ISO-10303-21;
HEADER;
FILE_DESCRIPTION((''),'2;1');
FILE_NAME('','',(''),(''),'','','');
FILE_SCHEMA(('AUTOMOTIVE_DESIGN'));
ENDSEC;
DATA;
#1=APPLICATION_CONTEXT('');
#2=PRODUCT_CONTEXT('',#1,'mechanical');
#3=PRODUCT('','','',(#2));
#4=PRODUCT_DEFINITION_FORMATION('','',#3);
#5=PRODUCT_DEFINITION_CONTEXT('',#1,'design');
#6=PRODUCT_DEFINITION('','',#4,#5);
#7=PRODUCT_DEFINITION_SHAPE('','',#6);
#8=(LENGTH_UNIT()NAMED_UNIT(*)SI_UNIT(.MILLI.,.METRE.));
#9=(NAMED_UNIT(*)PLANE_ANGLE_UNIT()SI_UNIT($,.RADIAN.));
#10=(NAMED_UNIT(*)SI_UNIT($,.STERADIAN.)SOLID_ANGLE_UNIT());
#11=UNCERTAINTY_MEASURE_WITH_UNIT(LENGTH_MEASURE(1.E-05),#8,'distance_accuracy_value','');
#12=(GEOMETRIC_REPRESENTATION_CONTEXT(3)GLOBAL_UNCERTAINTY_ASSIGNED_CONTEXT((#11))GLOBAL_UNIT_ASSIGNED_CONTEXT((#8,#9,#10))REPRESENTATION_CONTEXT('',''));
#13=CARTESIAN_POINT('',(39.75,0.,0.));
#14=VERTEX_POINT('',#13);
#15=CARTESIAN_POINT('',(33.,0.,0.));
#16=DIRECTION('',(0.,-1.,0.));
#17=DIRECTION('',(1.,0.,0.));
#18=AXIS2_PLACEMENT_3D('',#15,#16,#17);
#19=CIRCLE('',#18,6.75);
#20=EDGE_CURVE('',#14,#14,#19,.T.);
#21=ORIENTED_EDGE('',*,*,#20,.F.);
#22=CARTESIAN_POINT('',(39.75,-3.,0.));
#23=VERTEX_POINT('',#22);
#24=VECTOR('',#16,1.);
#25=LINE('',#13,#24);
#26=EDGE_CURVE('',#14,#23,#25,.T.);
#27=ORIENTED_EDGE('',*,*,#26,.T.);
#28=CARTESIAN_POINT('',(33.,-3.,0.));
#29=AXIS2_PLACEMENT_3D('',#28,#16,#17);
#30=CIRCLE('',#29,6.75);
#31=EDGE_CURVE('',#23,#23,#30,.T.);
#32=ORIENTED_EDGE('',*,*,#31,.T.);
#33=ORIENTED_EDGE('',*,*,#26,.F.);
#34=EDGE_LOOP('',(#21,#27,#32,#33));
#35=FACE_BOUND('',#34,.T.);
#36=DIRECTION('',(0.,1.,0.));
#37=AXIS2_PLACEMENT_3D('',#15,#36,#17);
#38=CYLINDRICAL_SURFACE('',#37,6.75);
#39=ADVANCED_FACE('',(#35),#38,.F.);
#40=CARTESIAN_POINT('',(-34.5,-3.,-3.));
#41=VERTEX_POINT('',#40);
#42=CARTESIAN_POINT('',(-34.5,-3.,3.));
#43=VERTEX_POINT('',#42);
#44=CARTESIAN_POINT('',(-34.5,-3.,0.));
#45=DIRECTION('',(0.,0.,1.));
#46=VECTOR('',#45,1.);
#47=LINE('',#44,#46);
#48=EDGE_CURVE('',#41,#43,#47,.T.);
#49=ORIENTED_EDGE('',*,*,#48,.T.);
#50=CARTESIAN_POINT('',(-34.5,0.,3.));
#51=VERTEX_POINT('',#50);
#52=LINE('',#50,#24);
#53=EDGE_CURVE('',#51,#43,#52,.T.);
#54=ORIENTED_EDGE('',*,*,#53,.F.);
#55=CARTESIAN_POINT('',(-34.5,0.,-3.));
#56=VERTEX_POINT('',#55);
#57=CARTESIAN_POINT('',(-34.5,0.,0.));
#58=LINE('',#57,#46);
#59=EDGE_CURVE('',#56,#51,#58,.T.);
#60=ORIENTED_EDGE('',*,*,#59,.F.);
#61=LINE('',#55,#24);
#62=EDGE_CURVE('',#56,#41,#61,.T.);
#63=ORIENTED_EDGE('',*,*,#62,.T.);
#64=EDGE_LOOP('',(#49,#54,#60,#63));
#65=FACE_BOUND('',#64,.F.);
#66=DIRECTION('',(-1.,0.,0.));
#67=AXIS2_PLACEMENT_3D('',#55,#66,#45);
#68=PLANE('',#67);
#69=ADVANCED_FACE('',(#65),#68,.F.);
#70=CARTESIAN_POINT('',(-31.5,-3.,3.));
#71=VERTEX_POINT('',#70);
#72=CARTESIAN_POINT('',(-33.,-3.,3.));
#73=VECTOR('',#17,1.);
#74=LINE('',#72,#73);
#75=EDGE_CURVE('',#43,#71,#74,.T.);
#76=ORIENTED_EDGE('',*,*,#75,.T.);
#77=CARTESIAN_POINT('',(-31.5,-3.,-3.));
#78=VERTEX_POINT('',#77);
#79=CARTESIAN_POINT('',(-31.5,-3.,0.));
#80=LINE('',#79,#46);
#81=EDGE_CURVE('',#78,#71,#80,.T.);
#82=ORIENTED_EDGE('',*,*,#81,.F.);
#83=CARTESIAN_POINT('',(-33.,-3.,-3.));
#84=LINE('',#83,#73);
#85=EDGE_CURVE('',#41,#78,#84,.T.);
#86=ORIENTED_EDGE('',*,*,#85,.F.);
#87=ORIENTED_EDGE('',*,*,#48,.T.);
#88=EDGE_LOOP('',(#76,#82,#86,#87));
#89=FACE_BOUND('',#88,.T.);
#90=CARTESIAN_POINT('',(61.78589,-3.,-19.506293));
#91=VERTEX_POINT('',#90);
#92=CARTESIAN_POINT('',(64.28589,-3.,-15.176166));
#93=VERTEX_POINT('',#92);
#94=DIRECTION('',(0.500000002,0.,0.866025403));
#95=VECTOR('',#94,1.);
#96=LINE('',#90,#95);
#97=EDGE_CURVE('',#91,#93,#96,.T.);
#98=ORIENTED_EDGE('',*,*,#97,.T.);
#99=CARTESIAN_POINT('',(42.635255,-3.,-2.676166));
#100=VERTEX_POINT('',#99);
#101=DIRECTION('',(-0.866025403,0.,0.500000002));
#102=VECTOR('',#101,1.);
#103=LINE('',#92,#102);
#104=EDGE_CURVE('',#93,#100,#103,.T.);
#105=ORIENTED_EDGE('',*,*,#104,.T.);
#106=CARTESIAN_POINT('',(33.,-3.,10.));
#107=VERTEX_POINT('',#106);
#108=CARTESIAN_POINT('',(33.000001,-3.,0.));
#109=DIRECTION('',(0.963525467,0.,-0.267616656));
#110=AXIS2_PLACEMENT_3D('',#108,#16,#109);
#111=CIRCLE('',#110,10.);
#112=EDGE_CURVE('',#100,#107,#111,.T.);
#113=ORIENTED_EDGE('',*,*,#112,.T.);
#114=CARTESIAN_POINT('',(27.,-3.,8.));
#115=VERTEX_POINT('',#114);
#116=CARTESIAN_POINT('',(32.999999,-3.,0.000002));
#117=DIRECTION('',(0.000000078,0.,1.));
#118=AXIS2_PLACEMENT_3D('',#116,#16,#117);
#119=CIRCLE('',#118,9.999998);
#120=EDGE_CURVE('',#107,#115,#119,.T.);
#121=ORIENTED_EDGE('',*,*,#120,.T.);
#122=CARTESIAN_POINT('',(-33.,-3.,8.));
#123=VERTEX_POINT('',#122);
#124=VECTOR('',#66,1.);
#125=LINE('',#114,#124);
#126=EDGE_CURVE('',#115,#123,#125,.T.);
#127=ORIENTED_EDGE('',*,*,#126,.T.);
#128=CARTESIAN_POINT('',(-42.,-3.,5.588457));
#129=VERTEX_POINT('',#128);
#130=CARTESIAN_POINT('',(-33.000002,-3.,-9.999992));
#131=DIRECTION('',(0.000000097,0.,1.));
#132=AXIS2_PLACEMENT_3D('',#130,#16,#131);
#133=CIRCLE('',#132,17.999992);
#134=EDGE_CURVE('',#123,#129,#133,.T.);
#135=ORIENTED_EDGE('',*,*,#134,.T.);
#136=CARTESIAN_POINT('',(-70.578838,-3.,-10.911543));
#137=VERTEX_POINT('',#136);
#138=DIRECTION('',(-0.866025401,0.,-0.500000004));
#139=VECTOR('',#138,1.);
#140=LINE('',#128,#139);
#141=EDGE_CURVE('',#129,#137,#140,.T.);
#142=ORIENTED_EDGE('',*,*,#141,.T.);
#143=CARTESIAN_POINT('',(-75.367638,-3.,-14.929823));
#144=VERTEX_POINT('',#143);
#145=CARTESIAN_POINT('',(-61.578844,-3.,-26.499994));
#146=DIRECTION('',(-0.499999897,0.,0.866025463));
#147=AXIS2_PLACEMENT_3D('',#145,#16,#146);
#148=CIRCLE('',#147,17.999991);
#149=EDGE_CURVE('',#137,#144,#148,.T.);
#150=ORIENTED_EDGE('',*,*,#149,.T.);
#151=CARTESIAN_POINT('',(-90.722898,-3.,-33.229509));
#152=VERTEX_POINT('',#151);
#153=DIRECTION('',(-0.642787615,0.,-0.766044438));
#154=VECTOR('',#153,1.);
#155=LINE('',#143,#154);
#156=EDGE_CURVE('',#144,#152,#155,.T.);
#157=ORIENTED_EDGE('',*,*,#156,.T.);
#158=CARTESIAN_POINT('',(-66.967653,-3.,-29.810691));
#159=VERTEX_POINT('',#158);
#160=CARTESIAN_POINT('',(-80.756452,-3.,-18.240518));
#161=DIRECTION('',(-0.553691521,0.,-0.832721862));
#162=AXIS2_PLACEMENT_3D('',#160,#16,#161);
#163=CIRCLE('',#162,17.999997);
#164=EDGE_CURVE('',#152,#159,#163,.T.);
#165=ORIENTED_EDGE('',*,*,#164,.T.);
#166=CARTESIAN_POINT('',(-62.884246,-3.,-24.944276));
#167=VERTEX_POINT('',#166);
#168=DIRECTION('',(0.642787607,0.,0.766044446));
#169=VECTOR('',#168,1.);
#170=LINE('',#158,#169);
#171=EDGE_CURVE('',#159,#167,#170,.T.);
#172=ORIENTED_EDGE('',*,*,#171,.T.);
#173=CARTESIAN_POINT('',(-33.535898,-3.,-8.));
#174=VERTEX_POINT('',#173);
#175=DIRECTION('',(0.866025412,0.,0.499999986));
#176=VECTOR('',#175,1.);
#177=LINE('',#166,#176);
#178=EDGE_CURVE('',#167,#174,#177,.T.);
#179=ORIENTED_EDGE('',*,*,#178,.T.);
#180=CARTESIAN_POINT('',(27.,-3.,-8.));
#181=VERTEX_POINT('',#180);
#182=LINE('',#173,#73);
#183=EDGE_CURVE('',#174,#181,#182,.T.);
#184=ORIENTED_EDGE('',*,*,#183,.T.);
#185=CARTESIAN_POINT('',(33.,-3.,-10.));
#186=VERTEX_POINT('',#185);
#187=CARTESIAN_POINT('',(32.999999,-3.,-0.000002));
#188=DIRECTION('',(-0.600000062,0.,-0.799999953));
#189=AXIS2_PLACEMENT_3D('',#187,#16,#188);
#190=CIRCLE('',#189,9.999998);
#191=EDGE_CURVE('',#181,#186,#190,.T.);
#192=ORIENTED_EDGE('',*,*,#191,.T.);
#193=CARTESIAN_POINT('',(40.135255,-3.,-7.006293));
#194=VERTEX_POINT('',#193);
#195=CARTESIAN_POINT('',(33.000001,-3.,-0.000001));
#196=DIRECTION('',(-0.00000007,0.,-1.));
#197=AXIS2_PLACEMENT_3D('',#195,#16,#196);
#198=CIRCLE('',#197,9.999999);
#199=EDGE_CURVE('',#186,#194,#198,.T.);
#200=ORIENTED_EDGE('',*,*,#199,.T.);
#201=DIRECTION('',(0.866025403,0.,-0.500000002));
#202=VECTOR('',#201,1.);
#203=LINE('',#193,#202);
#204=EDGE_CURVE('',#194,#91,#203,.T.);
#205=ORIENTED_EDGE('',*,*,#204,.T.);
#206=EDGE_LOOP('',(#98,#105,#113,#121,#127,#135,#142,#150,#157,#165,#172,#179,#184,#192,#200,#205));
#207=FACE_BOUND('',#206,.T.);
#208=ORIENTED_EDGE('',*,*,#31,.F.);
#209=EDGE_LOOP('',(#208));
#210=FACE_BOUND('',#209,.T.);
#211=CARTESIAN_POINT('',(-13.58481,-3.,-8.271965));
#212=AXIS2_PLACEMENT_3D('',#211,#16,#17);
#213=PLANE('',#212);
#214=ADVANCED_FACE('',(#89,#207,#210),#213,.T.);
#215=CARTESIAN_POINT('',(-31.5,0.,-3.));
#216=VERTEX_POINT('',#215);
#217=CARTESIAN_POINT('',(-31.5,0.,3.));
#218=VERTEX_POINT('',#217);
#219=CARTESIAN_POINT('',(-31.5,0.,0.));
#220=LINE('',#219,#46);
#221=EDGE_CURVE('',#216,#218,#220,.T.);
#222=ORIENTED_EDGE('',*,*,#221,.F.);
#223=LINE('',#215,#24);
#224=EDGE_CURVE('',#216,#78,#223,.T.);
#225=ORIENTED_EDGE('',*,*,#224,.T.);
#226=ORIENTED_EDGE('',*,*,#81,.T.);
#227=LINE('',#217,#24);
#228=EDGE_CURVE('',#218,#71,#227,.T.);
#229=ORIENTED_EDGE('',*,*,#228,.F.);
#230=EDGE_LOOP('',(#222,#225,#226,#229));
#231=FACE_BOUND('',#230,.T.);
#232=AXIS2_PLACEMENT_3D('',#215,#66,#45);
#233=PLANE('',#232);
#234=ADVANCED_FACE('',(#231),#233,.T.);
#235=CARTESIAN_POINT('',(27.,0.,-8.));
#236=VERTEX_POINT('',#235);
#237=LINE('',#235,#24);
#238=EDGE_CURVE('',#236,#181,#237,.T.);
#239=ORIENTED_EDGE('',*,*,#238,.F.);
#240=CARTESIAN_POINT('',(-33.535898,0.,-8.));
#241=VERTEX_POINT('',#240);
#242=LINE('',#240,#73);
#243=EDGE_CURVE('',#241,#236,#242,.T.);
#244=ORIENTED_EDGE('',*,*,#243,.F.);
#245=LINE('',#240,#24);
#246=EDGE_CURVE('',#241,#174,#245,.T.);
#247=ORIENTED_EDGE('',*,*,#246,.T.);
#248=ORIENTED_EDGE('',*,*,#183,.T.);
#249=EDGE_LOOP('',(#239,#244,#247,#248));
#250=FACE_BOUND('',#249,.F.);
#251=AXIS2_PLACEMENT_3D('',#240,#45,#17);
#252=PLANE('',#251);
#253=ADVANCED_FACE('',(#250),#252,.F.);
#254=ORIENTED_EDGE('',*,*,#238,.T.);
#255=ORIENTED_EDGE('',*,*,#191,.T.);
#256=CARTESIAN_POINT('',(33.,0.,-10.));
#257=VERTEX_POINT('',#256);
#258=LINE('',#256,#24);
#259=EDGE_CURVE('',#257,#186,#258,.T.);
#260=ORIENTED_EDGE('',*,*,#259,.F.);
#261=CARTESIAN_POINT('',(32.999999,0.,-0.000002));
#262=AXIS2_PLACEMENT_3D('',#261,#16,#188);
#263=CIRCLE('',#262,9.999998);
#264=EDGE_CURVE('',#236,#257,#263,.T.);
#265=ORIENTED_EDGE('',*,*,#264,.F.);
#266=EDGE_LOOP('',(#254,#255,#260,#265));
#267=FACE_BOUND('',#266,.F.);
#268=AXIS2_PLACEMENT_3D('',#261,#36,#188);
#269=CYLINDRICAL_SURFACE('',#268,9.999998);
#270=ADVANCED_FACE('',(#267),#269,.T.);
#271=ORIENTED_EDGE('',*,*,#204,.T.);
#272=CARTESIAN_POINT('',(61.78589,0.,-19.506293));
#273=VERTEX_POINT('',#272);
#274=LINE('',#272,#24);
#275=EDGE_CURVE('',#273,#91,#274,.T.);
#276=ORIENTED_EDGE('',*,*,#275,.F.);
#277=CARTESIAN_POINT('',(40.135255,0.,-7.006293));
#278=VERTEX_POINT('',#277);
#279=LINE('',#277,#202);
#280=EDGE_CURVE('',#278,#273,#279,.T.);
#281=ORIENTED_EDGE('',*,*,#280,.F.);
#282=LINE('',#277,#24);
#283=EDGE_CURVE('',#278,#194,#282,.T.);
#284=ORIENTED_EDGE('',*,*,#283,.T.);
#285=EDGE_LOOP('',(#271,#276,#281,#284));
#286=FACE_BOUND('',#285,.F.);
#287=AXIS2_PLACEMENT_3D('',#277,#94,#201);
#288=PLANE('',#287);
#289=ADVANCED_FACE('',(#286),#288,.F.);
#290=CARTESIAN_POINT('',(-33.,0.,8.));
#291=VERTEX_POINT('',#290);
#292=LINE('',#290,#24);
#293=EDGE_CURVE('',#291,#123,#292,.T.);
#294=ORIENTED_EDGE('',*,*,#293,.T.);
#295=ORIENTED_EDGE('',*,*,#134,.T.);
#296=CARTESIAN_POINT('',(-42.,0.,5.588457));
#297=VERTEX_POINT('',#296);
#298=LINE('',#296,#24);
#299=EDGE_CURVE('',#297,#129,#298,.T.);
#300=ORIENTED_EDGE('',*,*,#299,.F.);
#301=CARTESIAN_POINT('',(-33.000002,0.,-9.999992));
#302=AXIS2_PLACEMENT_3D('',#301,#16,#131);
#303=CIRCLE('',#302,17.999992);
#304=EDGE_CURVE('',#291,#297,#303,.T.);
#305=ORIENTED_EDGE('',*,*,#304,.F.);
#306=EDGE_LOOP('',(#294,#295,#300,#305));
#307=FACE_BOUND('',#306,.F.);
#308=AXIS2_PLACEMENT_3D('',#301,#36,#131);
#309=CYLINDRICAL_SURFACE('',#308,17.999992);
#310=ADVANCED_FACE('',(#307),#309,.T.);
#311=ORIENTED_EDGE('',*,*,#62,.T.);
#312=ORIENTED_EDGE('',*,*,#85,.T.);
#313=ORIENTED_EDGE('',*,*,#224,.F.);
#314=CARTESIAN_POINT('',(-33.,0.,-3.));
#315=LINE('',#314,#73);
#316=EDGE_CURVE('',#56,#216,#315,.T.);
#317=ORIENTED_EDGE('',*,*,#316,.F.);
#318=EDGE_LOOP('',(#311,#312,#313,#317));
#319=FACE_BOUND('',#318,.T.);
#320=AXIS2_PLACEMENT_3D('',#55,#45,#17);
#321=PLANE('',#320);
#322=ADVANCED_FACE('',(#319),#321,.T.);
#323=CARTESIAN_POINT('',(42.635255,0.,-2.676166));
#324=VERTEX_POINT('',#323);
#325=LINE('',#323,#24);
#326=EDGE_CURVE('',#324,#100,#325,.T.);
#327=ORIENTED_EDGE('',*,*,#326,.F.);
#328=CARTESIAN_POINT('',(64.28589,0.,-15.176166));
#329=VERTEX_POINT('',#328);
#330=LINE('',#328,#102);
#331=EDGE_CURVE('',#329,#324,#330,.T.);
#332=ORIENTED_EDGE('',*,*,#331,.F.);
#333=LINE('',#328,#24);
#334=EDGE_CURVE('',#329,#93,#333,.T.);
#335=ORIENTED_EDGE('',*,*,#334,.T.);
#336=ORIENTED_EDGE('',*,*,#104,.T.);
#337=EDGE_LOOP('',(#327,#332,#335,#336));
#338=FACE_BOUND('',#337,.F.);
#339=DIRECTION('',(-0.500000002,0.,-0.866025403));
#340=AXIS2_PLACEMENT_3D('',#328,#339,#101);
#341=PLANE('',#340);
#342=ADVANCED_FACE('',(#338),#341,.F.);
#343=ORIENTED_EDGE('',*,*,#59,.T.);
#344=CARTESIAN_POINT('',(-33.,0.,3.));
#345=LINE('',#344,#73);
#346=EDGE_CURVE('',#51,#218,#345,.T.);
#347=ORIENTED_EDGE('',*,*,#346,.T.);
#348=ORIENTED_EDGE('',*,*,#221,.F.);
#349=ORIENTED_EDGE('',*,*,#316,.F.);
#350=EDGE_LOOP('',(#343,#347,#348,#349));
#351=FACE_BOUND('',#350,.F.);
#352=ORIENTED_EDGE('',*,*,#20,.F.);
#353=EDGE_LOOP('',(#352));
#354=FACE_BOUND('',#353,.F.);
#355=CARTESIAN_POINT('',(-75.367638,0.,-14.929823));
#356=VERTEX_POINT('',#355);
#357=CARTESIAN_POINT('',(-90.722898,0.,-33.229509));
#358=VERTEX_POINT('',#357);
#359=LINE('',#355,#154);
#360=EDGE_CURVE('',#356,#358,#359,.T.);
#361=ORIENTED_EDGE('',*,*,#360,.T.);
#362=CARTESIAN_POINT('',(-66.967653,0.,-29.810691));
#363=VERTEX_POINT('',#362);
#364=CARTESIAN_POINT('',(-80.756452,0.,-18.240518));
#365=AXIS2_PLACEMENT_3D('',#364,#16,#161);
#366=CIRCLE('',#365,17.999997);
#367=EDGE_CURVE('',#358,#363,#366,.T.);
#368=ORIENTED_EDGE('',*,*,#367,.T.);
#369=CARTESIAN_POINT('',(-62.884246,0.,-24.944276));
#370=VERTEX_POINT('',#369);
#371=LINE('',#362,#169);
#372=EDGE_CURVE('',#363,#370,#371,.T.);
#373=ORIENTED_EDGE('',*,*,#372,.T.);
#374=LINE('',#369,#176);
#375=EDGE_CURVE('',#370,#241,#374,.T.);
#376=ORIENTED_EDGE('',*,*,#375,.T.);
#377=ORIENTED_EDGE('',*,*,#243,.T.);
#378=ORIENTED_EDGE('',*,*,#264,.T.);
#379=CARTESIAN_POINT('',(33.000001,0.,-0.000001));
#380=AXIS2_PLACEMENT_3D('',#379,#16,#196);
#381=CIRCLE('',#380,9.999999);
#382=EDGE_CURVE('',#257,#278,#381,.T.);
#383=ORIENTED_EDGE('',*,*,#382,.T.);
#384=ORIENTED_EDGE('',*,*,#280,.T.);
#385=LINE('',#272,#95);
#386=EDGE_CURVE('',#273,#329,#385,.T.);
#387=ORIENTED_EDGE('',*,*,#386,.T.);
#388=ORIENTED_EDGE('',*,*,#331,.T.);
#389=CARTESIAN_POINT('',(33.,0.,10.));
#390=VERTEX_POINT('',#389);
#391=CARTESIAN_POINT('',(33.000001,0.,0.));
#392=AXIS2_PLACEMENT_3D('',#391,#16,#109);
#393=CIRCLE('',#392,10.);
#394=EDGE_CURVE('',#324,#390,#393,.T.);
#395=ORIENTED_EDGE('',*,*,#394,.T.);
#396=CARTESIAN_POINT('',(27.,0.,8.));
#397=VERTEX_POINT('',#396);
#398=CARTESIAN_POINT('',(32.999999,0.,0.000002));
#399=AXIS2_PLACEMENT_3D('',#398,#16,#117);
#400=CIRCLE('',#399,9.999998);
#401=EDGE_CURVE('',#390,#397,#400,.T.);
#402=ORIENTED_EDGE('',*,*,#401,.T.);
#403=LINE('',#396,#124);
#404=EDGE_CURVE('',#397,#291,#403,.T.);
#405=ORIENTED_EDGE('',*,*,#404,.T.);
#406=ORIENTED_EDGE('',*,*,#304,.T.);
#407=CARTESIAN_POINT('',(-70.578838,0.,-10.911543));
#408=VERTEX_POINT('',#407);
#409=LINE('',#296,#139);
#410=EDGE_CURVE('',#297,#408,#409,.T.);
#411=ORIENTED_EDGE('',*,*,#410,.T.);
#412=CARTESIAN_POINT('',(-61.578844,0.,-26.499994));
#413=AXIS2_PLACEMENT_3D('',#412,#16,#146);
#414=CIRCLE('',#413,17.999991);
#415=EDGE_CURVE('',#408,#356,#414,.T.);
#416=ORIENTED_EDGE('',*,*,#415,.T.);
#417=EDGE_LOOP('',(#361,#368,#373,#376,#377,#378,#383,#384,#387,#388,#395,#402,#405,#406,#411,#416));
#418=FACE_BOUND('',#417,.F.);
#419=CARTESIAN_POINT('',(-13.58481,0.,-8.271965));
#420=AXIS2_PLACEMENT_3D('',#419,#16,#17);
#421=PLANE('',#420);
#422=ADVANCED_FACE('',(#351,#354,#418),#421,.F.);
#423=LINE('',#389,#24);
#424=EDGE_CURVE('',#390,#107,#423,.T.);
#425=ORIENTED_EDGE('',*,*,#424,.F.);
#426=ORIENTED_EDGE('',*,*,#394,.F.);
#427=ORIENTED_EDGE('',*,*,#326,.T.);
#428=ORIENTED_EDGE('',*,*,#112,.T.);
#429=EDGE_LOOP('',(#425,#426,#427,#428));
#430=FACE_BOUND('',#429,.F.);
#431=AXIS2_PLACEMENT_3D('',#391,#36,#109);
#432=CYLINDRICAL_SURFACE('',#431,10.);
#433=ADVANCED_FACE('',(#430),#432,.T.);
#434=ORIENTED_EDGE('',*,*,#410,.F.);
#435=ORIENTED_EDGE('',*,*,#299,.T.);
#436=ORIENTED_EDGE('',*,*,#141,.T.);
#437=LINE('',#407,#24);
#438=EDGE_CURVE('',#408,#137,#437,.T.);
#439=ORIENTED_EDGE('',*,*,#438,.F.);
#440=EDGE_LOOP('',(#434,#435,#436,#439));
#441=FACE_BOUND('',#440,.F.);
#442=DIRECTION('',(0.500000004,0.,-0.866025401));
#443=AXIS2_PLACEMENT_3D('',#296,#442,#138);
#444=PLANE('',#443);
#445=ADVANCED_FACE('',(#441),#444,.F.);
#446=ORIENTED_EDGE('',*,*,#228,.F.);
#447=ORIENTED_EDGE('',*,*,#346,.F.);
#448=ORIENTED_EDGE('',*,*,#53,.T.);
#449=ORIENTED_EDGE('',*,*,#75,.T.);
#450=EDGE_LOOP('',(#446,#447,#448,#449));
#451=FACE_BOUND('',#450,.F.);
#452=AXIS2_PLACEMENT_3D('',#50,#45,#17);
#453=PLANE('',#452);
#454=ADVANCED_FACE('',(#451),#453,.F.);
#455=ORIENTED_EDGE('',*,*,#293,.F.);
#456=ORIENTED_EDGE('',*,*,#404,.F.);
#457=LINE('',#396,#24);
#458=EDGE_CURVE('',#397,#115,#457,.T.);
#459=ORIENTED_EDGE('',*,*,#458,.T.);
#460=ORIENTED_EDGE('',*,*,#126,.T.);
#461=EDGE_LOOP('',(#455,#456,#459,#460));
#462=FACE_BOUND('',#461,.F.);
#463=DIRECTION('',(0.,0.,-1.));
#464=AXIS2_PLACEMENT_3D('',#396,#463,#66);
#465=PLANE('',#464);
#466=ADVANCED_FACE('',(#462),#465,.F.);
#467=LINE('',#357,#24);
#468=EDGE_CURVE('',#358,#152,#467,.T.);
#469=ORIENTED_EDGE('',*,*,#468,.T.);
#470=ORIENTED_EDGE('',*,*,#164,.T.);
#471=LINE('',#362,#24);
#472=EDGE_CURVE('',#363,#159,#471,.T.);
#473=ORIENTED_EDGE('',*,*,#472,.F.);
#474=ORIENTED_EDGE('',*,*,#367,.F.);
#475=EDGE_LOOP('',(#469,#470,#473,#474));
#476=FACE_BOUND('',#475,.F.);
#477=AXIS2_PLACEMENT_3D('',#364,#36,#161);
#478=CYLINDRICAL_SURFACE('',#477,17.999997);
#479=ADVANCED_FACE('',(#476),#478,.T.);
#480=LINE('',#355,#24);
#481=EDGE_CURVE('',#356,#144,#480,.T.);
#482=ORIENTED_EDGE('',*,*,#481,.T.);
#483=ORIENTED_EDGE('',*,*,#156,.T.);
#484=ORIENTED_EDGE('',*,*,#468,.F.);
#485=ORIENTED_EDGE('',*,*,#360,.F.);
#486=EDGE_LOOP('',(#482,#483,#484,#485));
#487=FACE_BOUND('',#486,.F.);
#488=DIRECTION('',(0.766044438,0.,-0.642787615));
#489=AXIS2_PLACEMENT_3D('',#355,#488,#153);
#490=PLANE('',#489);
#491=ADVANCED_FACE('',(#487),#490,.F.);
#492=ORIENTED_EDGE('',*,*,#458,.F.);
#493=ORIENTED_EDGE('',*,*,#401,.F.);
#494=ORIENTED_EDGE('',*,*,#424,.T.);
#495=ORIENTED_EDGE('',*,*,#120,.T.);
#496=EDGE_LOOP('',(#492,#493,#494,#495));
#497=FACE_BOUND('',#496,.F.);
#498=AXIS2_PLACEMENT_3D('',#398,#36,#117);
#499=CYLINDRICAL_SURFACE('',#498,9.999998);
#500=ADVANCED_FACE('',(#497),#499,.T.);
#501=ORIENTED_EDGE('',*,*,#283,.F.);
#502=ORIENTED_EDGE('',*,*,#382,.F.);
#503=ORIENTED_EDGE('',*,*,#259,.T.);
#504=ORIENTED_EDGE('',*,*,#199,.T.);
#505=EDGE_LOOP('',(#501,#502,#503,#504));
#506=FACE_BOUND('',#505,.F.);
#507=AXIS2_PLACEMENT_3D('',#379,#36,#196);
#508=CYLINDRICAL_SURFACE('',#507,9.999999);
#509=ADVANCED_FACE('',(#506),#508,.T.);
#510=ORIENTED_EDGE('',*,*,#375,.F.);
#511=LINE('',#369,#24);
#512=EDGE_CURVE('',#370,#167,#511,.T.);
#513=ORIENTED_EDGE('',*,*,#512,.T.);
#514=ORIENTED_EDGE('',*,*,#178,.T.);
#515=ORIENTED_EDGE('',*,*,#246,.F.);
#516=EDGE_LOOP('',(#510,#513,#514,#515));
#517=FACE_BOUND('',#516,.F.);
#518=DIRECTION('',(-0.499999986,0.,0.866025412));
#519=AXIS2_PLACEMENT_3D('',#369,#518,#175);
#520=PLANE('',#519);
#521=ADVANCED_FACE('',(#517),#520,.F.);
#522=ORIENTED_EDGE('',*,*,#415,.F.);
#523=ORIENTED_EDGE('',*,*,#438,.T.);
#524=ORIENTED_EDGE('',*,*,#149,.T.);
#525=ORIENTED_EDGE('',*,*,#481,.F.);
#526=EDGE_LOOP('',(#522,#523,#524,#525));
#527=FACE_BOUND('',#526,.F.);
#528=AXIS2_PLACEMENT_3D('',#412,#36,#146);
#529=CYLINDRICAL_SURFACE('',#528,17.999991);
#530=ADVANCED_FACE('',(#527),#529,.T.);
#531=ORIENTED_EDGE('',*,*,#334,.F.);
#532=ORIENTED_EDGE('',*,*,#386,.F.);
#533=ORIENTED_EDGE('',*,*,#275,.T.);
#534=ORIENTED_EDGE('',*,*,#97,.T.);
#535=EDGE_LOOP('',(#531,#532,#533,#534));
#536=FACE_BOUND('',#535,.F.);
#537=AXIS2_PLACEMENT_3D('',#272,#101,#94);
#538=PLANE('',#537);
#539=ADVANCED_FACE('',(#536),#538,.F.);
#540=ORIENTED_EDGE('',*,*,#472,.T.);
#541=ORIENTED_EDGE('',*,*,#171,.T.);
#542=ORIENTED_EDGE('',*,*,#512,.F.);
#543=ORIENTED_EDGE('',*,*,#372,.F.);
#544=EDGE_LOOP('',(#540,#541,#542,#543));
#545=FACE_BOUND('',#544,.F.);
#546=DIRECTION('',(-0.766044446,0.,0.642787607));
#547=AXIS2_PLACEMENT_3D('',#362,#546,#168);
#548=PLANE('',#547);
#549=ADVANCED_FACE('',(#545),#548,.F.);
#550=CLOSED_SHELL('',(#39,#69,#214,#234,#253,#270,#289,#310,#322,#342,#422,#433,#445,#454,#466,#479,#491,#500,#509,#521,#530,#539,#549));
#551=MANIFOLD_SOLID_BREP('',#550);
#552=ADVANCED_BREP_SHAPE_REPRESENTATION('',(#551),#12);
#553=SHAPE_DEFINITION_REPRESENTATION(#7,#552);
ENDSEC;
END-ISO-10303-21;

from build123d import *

# Parameters (mm, degrees)
F0_W     = 3
F0_H     = 6
F0_R     = 6.75
F1_DEPTH = 3


with BuildPart() as f1:
    # F0 (on Front) → F1 (new body)
    with BuildSketch(Plane.XZ):
        with BuildLine():
            Line((-62.884246, -24.944276), (-33.535898, -8))
            Line((-33.535898, -8), (27, -8))
            ThreePointArc((27, -8), (29.837722, -9.486833), (33, -10))
            ThreePointArc((33, -10), (36.868919, -9.221251), (40.135255, -7.006293))
            Line((40.135255, -7.006293), (61.78589, -19.506293))
            Line((61.78589, -19.506293), (64.28589, -15.176166))
            Line((64.28589, -15.176166), (42.635255, -2.676166))
            ThreePointArc((42.635255, -2.676166), (40.961208, 6.051378), (33, 10))
            ThreePointArc((33, 10), (29.837722, 9.486833), (27, 8))
            Line((27, 8), (-33, 8))
            ThreePointArc((-33, 8), (-37.658743, 7.386665), (-42, 5.588457))
            Line((-42, 5.588457), (-70.578838, -10.911543))
            ThreePointArc((-70.578838, -10.911543), (-73.149015, -12.7112), (-75.367638, -14.929823))
            Line((-75.367638, -14.929823), (-90.722898, -33.229509))
            ThreePointArc((-90.722898, -33.229509), (-78.192339, -36.056949), (-66.967653, -29.810691))
            Line((-66.967653, -29.810691), (-62.884246, -24.944276))
        make_face()
        with Locations((-33, 0)):
            Rectangle(F0_W, F0_H, mode=Mode.SUBTRACT)
        with Locations((33, 0)):
            Circle(F0_R, mode=Mode.SUBTRACT)
    extrude(amount=F1_DEPTH)


solid = f1.part
